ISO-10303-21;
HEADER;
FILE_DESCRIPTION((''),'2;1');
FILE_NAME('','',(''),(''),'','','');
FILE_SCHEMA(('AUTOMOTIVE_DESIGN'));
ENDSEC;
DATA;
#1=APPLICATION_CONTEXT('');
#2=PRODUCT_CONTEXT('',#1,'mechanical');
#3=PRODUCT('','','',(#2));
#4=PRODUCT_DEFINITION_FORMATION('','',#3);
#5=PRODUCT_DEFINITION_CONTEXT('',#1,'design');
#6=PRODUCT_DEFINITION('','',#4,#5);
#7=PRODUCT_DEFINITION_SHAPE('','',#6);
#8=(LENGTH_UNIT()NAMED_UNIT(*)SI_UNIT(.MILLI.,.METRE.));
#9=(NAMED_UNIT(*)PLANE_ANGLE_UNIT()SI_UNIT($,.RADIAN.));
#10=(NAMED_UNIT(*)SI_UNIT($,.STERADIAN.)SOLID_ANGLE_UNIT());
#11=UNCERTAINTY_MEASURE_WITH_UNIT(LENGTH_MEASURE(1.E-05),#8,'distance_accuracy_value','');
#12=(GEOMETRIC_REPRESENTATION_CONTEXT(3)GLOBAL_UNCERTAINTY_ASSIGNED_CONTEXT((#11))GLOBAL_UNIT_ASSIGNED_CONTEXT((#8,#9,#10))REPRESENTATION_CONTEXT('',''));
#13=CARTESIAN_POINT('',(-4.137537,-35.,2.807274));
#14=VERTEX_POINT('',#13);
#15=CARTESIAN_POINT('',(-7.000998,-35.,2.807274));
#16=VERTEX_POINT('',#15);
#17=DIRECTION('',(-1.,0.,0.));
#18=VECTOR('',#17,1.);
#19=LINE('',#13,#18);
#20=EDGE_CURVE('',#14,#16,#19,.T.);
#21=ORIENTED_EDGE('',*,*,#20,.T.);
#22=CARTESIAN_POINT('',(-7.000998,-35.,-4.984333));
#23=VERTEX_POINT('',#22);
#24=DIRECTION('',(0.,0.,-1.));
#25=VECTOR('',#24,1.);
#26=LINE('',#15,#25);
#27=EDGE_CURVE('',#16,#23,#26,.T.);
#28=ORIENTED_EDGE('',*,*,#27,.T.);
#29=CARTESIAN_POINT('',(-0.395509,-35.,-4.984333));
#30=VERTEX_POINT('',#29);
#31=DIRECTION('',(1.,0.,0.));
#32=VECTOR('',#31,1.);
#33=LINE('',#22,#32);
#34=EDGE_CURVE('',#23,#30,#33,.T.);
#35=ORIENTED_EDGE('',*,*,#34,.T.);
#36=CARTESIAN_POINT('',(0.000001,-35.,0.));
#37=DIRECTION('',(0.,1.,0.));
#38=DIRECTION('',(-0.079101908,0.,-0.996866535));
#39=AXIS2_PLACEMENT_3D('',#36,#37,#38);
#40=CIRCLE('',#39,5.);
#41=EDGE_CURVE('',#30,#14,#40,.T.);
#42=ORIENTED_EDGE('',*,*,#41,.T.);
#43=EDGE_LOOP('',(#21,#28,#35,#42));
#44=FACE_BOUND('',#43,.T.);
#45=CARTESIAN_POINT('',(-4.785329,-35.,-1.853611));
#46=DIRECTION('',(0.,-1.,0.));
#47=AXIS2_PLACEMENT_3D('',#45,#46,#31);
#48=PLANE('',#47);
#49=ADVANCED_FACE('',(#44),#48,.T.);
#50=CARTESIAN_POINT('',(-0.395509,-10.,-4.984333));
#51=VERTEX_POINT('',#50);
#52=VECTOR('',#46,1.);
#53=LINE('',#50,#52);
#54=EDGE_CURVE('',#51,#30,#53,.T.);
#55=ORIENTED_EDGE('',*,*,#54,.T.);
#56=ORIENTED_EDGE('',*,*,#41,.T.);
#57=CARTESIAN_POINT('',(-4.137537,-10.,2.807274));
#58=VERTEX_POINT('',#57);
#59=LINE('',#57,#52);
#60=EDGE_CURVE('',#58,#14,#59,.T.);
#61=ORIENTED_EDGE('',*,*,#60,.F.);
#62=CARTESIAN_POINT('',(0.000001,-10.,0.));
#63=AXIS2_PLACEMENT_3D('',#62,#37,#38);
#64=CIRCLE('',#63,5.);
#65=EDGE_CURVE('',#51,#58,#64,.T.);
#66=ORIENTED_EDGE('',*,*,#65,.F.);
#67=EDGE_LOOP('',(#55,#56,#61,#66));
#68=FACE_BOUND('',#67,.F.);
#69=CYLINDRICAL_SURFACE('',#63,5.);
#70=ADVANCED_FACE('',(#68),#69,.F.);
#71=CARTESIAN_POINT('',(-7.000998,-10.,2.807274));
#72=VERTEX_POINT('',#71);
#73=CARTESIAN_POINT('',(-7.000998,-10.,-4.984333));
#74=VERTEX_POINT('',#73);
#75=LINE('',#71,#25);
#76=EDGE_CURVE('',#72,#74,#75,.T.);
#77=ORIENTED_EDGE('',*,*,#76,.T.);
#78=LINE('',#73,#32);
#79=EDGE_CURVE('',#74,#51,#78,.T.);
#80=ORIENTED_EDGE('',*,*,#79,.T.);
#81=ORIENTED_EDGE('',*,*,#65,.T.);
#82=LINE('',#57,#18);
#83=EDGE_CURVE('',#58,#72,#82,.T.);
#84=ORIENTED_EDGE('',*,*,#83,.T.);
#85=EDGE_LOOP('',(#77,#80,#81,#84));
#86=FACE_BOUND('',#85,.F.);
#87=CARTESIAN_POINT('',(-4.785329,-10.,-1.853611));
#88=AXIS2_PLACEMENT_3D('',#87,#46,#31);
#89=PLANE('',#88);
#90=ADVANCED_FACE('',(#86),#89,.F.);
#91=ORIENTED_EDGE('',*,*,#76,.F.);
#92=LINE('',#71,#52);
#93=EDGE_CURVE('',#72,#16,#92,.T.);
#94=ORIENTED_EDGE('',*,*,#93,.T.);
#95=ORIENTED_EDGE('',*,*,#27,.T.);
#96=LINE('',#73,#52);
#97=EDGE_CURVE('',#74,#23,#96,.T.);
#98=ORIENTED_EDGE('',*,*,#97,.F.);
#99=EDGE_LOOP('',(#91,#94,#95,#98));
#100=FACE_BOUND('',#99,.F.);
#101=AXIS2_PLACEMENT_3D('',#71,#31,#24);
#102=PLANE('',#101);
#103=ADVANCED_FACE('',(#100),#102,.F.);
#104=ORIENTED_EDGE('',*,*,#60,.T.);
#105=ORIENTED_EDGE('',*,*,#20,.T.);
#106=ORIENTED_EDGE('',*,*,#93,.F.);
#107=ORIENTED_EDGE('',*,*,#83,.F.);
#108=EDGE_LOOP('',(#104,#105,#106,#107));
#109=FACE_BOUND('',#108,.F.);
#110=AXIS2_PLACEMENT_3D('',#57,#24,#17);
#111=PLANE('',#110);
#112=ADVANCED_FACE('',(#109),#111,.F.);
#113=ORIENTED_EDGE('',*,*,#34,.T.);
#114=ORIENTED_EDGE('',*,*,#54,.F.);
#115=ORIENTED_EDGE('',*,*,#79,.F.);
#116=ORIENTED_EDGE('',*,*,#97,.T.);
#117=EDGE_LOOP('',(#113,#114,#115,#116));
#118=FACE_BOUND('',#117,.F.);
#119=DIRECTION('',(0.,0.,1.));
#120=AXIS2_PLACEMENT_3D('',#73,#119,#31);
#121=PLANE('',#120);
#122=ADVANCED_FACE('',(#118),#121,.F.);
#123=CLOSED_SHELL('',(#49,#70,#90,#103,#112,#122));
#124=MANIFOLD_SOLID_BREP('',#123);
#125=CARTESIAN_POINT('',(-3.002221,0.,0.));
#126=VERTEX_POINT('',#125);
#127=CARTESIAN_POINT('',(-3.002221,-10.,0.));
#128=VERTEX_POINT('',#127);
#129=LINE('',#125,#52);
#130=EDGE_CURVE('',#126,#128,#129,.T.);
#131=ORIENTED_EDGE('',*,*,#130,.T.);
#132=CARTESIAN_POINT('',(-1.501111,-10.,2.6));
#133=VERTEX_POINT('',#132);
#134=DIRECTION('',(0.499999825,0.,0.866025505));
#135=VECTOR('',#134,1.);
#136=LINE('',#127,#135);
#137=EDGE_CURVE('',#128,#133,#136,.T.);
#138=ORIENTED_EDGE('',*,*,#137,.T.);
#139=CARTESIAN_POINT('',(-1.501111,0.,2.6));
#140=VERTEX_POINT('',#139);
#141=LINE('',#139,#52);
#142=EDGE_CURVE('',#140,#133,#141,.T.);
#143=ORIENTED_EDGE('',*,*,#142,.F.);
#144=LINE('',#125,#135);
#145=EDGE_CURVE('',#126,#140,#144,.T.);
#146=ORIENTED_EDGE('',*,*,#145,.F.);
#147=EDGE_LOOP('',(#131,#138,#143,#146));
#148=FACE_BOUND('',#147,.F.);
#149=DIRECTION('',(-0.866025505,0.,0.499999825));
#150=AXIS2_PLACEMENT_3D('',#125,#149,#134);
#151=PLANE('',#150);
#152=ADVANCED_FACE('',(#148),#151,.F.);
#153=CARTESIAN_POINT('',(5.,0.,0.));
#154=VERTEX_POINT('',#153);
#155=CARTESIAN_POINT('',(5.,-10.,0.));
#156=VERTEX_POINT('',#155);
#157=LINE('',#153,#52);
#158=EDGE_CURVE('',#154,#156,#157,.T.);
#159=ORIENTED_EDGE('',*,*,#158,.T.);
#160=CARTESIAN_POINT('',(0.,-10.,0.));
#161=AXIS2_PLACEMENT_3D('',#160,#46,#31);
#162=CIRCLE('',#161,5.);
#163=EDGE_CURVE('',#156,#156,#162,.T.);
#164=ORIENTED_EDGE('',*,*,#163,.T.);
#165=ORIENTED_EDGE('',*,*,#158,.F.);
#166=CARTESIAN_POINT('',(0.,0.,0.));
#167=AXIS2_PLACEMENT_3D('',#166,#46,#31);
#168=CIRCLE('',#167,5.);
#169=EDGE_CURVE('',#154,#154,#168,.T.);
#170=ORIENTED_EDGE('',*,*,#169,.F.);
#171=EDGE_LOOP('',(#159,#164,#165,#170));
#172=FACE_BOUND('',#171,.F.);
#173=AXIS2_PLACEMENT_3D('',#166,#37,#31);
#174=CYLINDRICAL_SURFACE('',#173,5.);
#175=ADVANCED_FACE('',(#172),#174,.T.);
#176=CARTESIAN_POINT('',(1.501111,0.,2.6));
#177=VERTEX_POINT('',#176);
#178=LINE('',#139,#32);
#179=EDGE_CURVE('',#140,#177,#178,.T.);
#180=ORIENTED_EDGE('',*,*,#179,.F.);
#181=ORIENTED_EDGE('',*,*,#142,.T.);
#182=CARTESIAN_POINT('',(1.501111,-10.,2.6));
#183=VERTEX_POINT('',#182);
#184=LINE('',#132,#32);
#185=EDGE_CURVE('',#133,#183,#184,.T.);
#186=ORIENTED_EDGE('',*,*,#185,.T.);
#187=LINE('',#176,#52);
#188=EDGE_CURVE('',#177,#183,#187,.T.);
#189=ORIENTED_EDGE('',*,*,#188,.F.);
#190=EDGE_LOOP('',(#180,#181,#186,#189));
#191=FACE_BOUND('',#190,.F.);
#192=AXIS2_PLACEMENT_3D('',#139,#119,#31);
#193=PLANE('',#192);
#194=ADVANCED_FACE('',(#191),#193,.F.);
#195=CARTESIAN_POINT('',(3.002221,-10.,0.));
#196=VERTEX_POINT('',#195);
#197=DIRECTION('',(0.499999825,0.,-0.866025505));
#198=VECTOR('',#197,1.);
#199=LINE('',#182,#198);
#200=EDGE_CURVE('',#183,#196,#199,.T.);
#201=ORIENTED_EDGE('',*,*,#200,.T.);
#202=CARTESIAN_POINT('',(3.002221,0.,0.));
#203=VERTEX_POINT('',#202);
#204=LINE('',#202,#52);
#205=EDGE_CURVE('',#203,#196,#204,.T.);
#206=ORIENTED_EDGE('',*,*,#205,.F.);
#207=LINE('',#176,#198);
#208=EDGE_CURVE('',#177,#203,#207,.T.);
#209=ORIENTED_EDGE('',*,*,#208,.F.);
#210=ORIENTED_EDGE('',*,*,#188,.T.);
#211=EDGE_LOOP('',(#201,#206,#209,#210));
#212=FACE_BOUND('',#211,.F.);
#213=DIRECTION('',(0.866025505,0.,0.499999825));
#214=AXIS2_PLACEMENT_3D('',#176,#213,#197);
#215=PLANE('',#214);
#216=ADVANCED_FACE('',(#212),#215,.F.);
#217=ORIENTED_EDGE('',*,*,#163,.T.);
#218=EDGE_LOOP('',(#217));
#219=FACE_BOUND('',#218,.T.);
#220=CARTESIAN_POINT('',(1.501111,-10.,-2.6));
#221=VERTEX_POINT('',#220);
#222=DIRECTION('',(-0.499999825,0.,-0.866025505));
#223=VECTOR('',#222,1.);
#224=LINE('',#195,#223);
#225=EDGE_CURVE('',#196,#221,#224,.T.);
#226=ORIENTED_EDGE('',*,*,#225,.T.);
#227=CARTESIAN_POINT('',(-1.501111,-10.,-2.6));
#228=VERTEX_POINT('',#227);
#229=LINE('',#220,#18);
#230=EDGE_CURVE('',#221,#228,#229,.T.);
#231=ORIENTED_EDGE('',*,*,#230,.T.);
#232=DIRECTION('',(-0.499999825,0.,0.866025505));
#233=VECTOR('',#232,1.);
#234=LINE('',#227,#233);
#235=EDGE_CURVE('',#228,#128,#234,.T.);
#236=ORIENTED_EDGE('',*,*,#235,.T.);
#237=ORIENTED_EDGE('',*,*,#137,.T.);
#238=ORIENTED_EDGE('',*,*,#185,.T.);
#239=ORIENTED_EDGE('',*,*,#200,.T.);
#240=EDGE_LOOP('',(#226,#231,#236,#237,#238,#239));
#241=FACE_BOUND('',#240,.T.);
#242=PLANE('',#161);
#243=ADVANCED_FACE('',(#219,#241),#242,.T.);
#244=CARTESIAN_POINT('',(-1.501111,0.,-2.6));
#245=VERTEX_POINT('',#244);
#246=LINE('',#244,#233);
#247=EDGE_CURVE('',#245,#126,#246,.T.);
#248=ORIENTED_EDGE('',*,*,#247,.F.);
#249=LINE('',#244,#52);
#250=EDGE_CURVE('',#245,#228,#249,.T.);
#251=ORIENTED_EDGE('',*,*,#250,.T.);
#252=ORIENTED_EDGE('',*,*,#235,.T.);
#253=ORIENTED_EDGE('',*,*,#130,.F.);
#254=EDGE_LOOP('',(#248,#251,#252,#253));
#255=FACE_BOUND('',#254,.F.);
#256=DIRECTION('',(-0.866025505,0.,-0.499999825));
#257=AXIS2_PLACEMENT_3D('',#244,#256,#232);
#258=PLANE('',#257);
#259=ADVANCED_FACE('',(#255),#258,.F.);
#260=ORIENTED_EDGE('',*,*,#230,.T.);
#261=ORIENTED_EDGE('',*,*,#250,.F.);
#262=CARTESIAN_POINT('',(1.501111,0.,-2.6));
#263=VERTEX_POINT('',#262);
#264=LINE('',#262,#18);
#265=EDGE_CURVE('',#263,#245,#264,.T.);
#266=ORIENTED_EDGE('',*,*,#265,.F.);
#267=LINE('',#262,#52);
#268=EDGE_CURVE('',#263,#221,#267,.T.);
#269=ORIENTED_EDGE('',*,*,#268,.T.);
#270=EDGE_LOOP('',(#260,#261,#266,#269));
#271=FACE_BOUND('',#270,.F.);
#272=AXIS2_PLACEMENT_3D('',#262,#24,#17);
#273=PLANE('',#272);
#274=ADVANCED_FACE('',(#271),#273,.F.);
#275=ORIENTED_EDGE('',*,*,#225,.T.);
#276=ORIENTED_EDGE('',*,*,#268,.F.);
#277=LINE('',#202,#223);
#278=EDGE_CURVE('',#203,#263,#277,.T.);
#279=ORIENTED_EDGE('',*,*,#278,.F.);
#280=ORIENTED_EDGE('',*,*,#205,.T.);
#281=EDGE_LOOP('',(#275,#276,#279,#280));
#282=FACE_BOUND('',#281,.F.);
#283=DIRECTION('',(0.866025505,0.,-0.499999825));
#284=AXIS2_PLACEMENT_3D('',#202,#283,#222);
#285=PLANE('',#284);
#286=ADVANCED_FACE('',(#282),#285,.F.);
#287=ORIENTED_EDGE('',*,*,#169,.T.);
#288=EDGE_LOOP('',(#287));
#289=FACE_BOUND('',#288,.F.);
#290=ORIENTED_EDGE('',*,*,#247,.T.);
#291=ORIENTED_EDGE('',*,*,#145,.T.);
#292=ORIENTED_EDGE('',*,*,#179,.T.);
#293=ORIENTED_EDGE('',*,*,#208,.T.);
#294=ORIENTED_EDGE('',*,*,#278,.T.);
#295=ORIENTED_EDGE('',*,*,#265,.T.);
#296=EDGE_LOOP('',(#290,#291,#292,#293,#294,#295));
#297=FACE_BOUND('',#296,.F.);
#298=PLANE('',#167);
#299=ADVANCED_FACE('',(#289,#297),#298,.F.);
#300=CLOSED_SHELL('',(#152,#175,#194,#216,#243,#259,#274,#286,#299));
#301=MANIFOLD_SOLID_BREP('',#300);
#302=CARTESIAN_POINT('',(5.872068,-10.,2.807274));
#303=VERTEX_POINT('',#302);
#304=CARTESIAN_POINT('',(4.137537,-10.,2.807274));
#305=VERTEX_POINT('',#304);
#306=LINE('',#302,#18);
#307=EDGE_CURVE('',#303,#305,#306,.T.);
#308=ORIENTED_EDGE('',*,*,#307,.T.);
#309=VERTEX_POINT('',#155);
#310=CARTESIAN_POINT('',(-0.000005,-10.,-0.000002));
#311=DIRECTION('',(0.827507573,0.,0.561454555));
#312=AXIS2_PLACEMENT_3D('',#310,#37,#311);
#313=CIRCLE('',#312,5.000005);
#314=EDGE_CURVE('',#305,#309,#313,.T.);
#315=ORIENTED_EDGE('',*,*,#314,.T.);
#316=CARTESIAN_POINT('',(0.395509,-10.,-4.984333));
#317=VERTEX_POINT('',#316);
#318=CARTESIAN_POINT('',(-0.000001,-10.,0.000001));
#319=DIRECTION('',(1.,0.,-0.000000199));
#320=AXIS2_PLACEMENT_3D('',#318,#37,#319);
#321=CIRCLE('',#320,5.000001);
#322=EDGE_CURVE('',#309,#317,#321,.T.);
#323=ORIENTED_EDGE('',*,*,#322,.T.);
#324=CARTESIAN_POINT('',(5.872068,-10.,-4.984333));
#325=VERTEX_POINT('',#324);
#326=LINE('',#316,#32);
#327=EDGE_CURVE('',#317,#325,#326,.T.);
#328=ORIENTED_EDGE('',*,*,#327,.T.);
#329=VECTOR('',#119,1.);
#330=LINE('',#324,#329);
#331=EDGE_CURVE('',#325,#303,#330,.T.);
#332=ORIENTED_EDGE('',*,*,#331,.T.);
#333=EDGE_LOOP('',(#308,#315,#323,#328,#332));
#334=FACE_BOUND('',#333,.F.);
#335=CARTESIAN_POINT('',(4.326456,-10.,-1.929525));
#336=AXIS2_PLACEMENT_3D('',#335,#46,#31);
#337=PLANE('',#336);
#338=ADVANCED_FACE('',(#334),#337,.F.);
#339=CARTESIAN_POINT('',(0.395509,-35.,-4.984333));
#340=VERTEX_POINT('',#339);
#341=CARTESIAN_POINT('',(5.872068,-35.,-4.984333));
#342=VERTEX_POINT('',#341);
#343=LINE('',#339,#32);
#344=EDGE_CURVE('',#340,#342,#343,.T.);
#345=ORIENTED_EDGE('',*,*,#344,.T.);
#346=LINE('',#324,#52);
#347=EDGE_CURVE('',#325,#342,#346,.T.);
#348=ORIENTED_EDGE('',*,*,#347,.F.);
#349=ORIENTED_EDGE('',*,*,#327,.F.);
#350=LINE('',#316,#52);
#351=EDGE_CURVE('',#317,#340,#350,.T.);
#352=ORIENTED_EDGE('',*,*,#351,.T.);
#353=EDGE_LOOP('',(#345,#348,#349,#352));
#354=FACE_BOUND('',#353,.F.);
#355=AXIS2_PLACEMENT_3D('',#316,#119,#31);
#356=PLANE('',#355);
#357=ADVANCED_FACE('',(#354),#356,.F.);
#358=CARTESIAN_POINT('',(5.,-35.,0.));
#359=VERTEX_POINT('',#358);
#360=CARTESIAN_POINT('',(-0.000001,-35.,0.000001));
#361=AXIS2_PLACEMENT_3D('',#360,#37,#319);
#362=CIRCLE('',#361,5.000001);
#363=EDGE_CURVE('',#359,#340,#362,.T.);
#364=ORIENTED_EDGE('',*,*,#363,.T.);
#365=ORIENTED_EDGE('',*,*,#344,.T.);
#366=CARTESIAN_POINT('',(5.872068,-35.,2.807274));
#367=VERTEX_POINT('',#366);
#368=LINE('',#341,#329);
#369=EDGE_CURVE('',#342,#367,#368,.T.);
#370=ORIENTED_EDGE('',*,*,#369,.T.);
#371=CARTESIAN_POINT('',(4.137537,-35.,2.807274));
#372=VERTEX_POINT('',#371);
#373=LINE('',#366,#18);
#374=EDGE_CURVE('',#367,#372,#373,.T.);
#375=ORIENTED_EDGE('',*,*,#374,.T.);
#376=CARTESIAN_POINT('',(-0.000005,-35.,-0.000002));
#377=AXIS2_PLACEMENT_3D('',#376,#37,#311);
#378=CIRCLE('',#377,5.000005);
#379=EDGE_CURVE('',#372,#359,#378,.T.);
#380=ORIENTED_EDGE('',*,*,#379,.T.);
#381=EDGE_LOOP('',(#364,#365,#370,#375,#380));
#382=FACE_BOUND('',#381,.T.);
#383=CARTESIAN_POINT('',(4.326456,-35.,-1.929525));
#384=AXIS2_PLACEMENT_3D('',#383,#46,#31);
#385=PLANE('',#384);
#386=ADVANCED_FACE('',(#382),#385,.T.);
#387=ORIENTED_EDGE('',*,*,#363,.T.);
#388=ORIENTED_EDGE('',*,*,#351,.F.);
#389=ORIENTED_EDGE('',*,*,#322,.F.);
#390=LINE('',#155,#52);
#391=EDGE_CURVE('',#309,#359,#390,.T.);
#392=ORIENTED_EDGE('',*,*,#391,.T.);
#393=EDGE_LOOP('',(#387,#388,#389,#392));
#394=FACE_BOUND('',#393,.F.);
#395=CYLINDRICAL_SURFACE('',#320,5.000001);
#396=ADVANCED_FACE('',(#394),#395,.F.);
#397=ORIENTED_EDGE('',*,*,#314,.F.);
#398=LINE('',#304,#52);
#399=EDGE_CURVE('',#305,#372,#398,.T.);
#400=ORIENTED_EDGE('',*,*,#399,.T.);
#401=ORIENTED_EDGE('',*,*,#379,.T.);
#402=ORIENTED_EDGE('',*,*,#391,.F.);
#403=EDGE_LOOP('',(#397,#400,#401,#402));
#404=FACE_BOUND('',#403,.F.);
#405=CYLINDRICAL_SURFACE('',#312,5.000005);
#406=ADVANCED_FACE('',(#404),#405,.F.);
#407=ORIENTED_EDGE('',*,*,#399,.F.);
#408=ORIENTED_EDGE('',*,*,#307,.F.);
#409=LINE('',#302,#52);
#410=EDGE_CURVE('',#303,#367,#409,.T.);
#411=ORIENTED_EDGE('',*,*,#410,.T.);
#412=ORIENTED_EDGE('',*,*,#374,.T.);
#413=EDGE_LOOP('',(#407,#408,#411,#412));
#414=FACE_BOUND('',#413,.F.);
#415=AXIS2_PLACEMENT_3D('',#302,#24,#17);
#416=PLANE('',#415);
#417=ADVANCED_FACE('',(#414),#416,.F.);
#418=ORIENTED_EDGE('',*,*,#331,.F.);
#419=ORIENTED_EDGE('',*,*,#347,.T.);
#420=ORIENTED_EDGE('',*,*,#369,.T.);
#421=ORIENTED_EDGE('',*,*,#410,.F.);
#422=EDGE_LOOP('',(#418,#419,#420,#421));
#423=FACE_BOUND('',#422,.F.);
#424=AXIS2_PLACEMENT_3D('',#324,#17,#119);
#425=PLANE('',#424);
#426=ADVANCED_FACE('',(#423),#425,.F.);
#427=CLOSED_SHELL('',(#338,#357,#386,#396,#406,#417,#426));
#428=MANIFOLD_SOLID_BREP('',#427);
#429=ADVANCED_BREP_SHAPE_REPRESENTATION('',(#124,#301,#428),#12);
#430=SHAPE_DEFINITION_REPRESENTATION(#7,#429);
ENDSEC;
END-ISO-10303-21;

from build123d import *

# Parameters (mm, degrees)
F0_R     = 5
F1_DEPTH = 10
F3_DEPTH = 25


with BuildPart() as f1:
    # F0 (on Front) → F1 (new body)
    with BuildSketch(Plane.XZ):
        Circle(F0_R)
        Polygon((-3.002221, 0), (-1.501111, 2.6), (1.501111, 2.6), (3.002221, 0), (1.501111, -2.6), (-1.501111, -2.6), align=None, mode=Mode.SUBTRACT)
    extrude(amount=F1_DEPTH)


with BuildPart() as f3:
    # F2 (on face) → F3 (new body)
    with BuildSketch(Plane.XZ.offset(10)):
        with BuildLine():
            Line((-4.137537, 2.807274), (-7.000998, 2.807274))
            Line((-7.000998, 2.807274), (-7.000998, -4.984333))
            Line((-7.000998, -4.984333), (-0.395509, -4.984333))
            ThreePointArc((-0.395509, -4.984333), (-4.507151, -2.164622), (-4.137537, 2.807274))
        make_face()
        with BuildLine():
            Line((5.872068, 2.807274), (4.137537, 2.807274))
            ThreePointArc((4.137537, 2.807274), (4.779523, 1.468386), (5, 0))
            ThreePointArc((5, 0), (3.672706, -3.39282), (0.395509, -4.984333))
            Line((0.395509, -4.984333), (5.872068, -4.984333))
            Line((5.872068, -4.984333), (5.872068, 2.807274))
        make_face()
    extrude(amount=F3_DEPTH)


solid = Compound([f1.part, f3.part])
